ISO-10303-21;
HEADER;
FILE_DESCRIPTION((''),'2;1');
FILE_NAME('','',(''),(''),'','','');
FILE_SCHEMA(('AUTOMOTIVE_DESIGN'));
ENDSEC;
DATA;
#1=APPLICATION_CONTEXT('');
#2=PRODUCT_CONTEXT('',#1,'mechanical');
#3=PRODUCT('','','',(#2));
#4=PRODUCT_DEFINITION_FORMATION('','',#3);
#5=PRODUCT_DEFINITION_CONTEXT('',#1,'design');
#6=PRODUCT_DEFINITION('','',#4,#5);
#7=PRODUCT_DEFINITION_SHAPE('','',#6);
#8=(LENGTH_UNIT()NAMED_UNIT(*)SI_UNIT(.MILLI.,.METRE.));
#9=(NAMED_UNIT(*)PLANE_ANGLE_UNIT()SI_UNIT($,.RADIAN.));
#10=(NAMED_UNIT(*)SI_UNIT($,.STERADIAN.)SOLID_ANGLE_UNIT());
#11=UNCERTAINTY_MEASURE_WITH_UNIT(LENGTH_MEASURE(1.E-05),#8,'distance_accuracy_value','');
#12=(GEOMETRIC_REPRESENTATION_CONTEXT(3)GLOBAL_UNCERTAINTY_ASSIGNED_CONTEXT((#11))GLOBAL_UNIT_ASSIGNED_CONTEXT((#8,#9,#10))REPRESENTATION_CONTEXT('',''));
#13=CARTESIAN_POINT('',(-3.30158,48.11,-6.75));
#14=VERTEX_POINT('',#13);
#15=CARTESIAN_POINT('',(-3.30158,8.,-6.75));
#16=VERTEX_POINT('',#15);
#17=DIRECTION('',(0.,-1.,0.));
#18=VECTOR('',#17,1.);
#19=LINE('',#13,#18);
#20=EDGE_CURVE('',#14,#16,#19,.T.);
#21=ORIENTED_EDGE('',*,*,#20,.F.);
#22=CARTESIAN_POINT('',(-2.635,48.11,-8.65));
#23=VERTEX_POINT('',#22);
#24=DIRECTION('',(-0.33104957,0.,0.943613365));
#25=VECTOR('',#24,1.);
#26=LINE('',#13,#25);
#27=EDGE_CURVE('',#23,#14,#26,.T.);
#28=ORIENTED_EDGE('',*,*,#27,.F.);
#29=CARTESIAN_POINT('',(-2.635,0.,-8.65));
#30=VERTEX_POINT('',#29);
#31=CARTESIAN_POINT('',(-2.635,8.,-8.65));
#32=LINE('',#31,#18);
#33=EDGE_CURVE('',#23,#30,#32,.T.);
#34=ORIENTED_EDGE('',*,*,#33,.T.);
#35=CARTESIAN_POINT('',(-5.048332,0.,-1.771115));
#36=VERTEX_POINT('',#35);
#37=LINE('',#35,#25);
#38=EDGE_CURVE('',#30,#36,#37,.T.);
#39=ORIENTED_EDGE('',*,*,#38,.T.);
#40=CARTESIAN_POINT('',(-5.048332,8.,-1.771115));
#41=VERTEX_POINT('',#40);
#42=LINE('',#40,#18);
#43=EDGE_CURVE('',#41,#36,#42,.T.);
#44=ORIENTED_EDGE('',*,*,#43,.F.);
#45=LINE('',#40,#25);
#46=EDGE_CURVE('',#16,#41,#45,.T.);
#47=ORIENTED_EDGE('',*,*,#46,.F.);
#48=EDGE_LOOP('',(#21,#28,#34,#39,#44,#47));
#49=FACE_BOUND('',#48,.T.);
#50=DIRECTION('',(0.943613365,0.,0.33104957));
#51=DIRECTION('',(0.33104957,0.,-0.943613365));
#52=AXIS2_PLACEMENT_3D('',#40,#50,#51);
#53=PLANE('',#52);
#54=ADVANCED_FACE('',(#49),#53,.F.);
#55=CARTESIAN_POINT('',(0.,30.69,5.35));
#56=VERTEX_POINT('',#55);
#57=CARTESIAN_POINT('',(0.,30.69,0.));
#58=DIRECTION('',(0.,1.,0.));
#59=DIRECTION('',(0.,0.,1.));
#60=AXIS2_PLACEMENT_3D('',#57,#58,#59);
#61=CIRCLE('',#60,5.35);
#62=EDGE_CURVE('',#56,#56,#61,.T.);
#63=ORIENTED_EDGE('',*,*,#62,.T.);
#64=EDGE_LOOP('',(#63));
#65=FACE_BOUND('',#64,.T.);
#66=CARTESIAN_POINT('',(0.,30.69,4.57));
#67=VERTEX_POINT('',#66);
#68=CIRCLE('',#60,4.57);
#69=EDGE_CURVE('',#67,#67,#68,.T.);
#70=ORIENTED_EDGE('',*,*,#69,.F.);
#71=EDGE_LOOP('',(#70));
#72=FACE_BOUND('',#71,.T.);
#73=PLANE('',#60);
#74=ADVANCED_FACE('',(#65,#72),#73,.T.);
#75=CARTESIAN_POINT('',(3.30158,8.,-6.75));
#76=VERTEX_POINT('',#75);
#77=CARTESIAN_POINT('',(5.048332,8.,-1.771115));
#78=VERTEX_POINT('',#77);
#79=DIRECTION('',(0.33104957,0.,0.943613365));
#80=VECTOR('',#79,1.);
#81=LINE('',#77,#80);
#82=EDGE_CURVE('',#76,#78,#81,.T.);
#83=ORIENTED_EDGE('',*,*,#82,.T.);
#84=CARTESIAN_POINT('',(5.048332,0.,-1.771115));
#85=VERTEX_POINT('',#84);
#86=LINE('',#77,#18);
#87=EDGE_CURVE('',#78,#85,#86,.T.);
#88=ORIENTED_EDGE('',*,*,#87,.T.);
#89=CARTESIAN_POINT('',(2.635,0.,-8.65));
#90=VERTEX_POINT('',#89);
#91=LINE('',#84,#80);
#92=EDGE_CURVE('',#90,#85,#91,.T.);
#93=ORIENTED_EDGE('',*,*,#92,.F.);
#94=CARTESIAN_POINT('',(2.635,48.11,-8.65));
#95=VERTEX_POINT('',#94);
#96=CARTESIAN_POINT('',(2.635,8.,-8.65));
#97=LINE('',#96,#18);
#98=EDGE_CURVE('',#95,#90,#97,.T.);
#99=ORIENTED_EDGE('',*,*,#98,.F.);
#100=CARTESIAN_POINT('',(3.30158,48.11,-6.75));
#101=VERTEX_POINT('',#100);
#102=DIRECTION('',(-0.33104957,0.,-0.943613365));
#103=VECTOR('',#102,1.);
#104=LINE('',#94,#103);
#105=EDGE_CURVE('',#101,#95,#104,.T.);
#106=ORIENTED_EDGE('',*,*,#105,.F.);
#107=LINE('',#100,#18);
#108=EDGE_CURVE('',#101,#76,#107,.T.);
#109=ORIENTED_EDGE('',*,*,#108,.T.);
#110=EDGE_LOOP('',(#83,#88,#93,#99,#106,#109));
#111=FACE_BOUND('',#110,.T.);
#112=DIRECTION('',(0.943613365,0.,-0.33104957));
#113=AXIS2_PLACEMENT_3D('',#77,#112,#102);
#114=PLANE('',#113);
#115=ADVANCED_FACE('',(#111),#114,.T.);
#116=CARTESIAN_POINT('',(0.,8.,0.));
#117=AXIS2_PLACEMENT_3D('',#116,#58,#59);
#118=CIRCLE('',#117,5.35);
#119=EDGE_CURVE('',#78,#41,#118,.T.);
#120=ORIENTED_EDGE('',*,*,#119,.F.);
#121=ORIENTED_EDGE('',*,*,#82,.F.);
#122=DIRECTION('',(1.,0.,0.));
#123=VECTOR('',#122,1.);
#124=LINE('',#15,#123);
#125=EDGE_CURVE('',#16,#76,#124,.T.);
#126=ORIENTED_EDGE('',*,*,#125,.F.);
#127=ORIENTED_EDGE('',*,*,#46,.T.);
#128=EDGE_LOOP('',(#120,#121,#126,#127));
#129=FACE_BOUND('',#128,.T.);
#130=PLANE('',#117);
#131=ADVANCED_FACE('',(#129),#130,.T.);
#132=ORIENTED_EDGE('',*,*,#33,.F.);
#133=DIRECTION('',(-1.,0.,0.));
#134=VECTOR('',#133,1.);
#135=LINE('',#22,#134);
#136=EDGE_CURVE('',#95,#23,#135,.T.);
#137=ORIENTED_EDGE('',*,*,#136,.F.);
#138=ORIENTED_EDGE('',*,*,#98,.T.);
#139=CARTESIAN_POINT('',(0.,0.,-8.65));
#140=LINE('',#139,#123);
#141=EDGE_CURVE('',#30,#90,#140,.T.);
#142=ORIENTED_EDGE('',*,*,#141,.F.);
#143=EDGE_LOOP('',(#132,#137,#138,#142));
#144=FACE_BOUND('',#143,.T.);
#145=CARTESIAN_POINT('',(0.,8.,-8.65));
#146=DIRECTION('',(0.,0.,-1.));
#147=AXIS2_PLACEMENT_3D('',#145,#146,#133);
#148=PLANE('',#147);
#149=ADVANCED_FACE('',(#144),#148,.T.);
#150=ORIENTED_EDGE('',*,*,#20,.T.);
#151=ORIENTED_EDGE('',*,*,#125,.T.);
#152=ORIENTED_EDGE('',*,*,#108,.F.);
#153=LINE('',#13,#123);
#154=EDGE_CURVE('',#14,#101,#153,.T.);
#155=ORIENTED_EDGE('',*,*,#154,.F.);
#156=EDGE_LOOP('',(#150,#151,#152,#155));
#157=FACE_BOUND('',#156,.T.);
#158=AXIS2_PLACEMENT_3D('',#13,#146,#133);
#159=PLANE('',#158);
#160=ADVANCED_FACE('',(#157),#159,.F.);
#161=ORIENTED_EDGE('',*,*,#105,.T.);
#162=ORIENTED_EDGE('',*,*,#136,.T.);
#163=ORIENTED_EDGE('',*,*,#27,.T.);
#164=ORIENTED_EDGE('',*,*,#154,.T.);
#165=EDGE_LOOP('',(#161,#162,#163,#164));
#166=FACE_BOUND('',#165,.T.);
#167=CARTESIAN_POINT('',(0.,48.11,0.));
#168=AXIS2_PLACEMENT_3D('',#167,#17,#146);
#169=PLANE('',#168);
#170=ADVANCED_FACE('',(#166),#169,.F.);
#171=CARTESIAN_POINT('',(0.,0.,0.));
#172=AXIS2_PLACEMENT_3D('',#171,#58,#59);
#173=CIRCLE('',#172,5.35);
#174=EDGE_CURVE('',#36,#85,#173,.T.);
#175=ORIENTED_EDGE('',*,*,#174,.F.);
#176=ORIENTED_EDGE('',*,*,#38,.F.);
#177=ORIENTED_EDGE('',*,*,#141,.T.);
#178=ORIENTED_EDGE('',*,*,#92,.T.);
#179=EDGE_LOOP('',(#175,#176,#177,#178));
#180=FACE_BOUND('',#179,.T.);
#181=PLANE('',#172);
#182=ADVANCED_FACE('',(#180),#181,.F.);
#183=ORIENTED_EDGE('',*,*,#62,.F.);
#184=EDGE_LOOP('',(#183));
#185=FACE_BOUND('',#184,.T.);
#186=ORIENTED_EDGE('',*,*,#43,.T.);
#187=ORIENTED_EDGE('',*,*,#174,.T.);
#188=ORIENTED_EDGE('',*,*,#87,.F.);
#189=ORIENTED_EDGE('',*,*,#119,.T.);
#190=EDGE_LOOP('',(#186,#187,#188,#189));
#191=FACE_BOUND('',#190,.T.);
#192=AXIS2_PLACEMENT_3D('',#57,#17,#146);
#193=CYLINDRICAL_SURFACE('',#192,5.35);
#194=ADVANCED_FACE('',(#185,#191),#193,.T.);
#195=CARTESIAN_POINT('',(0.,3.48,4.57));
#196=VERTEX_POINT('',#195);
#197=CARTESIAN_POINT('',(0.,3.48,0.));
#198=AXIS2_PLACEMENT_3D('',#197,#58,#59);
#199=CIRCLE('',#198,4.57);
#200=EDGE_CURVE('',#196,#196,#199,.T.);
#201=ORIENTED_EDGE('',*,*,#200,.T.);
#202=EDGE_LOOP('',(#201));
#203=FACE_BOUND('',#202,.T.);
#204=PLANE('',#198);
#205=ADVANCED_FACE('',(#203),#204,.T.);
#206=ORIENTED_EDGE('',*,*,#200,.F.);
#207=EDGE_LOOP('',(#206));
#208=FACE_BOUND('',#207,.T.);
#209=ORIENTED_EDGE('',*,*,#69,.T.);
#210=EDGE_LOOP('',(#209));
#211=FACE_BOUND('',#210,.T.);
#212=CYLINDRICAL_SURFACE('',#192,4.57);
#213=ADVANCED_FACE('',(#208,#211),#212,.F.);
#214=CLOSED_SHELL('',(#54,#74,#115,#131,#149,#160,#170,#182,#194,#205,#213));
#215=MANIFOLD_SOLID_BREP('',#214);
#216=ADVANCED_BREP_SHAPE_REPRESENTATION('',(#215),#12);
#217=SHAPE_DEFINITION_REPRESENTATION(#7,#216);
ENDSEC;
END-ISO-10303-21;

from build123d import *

# Parameters (mm, degrees)
SKETCH3_R           = 5.35
SKETCH3_R_2         = 4.57
BOSS_EXTRUDE1_DEPTH = 30.69
BOSS_EXTRUDE2_DEPTH = 8
BOSS_EXTRUDE3_DEPTH = 40.11
SKETCH3_6_R         = 4.57
BOSS_EXTRUDE4_DEPTH = 3.48


with BuildPart() as part:
    # Sketch3 → Boss-Extrude1 (new body)
    with BuildSketch(Plane(origin=(0, 0, 0), x_dir=(1, 0, 0), z_dir=(0, 1, 0))):
        Circle(SKETCH3_R)
        Circle(SKETCH3_R_2, mode=Mode.SUBTRACT)
    extrude(amount=BOSS_EXTRUDE1_DEPTH)

    # Sketch3<5> → Boss-Extrude2 (add)
    with BuildSketch(Plane(origin=(0, 0, 0), x_dir=(1, 0, 0), z_dir=(0, 1, 0))):
        with BuildLine():
            Line((-2.635, 8.65), (-5.048331501, 1.771115202))
            ThreePointArc((-5.048331501, 1.771115202), (0, 5.35), (5.048331501, 1.771115202))
            Line((5.048331501, 1.771115202), (2.635, 8.65))
            Line((2.635, 8.65), (-2.635, 8.65))
        make_face()
    extrude(amount=BOSS_EXTRUDE2_DEPTH)

    # Sketch5 → Boss-Extrude3 (add)
    with BuildSketch(Plane(origin=(0, 8, 0), x_dir=(1, 0, 0), z_dir=(0, 1, 0))):
        Polygon((-3.30158041, 6.75), (3.30158041, 6.75), (2.635, 8.65), (-2.635, 8.65), align=None)
    extrude(amount=BOSS_EXTRUDE3_DEPTH)

    # Sketch3<6> → Boss-Extrude4 (add)
    with BuildSketch(Plane(origin=(0, 0, 0), x_dir=(1, 0, 0), z_dir=(0, 1, 0))):
        Circle(SKETCH3_6_R)
    extrude(amount=BOSS_EXTRUDE4_DEPTH)


solid = part.part
